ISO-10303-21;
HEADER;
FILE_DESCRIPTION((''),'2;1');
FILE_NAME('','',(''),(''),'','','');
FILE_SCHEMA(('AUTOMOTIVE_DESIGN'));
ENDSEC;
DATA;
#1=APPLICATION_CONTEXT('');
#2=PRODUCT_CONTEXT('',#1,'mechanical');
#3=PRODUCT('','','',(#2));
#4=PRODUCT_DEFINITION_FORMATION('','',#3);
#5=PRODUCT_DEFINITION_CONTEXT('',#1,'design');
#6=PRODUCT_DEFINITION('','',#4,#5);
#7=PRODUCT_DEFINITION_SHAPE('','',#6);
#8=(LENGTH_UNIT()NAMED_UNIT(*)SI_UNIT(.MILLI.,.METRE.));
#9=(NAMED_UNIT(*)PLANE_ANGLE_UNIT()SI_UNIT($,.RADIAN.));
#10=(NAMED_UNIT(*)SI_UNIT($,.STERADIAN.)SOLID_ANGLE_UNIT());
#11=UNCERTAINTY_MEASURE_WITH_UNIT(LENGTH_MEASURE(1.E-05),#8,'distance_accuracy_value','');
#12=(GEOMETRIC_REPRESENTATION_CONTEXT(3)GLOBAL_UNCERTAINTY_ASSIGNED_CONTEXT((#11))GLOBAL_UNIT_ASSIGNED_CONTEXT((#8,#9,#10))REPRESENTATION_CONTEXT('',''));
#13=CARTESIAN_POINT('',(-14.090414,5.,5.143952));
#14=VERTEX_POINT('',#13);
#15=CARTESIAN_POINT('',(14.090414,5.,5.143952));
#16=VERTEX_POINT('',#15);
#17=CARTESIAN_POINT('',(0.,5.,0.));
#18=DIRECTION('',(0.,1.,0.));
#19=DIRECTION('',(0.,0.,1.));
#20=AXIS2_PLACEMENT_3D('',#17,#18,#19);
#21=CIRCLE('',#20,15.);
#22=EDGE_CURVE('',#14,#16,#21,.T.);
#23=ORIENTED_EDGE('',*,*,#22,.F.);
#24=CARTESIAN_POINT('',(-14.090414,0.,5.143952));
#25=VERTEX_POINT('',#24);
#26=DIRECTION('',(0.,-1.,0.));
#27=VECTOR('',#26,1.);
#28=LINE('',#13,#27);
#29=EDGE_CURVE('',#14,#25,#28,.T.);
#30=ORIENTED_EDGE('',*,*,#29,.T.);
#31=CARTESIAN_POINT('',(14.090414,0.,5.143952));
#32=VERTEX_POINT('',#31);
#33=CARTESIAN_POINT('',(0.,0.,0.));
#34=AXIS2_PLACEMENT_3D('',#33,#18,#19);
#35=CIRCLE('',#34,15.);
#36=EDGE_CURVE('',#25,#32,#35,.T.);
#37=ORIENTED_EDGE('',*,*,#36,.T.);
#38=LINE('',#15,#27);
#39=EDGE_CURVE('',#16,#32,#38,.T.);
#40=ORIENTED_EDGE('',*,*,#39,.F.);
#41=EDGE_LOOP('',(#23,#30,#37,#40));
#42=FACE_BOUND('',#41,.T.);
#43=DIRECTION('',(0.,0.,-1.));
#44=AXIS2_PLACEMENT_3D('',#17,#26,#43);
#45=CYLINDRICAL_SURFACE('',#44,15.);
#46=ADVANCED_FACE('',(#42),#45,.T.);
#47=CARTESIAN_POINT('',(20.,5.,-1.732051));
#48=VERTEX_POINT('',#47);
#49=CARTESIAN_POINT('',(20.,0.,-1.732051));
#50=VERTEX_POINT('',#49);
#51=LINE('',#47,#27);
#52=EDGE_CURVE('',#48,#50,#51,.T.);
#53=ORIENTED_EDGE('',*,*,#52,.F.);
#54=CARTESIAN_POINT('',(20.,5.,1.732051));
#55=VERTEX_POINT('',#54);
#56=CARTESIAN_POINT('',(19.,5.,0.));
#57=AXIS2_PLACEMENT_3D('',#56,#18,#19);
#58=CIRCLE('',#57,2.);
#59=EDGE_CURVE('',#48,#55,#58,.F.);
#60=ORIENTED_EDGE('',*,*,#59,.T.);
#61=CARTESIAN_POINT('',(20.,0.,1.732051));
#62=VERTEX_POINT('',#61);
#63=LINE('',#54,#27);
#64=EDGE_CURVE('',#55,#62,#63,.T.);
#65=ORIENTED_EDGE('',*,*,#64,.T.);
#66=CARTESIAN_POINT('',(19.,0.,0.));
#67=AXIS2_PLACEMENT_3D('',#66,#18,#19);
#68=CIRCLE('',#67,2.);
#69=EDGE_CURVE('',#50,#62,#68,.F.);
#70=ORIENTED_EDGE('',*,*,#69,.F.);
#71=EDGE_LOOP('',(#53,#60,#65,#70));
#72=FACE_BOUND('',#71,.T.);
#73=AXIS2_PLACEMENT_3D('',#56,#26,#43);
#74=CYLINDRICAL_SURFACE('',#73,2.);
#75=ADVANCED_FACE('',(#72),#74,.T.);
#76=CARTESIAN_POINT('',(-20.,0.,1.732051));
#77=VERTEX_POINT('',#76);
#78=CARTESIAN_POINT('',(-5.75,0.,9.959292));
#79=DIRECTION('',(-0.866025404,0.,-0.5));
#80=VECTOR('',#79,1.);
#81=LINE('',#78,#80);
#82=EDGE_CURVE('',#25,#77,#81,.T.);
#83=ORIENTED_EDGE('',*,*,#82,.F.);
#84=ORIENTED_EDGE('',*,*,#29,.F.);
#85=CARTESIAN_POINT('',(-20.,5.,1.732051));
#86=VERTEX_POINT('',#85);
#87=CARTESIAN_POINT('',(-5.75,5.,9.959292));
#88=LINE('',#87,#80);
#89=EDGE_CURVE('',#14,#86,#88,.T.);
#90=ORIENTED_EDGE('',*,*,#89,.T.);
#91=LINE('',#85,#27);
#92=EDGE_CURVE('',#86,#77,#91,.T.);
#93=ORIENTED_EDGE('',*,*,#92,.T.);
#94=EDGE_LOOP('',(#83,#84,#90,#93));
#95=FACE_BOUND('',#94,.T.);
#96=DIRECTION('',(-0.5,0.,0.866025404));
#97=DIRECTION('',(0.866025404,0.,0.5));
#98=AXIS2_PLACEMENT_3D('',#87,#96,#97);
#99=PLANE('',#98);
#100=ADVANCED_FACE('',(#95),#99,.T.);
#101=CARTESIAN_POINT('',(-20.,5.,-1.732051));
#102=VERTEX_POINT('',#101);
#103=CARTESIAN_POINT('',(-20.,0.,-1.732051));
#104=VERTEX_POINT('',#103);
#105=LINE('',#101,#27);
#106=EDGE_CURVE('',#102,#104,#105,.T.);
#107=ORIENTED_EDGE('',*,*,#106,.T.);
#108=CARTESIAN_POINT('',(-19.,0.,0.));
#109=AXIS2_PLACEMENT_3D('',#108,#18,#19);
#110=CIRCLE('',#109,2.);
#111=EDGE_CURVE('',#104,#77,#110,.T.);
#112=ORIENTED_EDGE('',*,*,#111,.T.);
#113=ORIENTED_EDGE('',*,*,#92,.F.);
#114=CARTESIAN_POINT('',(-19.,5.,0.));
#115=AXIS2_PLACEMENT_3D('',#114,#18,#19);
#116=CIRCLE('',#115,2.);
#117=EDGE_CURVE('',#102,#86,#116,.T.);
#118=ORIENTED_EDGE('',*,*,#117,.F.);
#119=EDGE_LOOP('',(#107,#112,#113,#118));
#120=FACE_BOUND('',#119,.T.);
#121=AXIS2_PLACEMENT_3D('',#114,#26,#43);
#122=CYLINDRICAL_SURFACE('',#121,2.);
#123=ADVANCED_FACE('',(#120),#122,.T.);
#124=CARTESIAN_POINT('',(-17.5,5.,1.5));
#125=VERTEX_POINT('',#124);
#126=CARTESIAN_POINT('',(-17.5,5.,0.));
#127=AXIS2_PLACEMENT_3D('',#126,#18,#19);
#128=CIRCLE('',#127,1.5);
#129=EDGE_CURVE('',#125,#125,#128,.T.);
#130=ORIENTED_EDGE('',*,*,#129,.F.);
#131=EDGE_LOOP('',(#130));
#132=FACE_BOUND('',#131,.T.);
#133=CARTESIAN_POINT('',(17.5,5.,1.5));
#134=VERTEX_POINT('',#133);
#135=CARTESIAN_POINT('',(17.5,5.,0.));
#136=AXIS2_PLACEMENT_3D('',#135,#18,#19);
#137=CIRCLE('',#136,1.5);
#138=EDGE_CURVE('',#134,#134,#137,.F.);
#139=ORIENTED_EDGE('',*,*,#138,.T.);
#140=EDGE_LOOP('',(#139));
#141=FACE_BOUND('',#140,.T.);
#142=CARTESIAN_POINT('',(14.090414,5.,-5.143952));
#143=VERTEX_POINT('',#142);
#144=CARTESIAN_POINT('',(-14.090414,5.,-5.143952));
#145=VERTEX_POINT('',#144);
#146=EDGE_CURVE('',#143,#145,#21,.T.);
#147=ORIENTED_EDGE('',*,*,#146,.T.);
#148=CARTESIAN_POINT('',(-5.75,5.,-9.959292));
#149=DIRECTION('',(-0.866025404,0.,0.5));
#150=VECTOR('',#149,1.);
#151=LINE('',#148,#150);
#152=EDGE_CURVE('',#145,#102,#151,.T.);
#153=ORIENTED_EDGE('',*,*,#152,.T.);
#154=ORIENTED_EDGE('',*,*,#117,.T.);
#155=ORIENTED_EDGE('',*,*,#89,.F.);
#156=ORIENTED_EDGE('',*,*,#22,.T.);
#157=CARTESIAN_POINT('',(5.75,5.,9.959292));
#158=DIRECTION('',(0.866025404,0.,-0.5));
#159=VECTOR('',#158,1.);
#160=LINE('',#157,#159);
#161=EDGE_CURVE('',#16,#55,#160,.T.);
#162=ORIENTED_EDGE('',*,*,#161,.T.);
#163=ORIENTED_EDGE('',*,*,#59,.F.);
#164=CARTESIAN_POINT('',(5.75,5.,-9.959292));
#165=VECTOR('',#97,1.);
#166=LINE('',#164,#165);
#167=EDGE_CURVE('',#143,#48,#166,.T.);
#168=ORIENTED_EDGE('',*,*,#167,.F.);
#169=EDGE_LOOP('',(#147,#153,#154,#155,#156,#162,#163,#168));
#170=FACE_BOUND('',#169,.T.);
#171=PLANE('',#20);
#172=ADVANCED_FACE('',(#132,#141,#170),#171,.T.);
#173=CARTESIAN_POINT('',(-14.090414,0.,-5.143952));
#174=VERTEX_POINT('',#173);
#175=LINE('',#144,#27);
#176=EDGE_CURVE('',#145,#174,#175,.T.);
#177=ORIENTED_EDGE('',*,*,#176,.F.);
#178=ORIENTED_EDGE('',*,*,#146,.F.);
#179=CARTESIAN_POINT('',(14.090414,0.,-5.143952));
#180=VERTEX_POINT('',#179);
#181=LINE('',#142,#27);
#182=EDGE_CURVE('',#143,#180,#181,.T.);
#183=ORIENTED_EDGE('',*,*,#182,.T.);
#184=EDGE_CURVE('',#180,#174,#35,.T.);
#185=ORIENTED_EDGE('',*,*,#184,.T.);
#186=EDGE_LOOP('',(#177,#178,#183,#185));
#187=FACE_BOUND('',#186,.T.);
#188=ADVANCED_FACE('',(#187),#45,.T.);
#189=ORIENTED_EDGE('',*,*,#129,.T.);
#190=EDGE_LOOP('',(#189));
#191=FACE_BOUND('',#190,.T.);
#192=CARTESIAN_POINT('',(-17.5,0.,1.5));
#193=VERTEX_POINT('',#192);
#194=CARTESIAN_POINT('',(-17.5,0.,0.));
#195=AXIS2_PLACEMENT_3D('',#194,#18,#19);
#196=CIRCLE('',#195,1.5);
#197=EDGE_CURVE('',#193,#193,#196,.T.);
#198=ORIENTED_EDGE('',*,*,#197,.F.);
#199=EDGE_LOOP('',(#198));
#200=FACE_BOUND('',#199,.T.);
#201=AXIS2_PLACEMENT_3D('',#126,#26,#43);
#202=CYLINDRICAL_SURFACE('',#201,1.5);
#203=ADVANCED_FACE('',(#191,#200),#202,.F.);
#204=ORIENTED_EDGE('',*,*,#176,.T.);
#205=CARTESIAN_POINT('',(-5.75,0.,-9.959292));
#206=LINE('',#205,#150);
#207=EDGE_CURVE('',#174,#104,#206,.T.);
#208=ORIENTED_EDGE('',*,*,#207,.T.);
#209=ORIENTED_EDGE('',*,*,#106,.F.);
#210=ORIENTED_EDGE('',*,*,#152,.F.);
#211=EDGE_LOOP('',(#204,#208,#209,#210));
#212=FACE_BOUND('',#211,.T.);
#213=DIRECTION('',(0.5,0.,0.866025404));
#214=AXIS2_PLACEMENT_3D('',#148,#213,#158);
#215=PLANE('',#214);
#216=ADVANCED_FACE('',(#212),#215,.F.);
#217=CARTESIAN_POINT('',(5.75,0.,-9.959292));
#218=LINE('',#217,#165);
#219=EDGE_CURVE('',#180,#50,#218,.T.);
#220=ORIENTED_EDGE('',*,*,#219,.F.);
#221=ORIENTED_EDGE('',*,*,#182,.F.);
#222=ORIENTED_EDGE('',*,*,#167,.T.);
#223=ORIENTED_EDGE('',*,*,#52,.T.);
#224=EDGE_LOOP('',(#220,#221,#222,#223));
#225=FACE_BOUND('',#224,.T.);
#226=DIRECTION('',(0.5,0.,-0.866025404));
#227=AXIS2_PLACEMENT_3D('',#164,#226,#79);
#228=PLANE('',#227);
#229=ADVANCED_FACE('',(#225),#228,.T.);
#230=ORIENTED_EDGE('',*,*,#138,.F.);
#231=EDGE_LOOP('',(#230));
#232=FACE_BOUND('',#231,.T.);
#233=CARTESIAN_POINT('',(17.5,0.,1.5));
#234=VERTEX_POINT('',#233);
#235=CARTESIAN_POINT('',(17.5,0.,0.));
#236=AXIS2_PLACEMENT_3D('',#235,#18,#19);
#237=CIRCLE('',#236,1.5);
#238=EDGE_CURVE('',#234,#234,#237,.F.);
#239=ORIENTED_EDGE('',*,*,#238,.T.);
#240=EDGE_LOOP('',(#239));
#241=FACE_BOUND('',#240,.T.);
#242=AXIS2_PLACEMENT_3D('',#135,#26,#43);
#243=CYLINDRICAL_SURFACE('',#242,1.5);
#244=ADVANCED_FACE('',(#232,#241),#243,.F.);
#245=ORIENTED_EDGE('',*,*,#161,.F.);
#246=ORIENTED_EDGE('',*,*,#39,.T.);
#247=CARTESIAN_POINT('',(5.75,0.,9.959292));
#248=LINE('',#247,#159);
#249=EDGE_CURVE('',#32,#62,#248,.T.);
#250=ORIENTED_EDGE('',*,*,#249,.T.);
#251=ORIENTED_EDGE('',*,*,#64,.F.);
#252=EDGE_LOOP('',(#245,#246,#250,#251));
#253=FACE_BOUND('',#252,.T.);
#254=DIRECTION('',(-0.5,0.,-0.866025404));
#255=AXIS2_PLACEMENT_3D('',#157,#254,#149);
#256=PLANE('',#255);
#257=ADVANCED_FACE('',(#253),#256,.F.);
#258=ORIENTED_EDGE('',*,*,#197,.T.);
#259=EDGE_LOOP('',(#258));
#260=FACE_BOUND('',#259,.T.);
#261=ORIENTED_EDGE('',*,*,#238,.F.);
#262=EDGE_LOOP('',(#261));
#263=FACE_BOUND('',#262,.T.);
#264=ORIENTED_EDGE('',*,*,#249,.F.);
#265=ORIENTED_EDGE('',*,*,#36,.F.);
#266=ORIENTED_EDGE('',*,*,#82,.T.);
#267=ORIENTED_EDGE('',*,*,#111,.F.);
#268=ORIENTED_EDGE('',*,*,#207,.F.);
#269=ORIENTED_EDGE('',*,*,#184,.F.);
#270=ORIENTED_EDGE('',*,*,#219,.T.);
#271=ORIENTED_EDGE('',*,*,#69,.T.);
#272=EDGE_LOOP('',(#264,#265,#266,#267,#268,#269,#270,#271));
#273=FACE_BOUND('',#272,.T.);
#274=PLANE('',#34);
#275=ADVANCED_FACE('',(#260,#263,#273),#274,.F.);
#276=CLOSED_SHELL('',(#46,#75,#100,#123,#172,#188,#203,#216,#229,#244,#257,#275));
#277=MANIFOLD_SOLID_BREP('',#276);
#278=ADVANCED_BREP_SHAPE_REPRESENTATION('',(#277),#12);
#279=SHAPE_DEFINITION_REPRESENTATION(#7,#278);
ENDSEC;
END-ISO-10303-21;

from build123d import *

# Parameters (mm, degrees)
SKETCH_1_R      = 1.5
EXTRUDE_1_DEPTH = 5


with BuildPart() as part:
    # 草圖1 → 填料-伸長1 (new body)
    with BuildSketch(Plane(origin=(0, 0, 0), x_dir=(1, 0, 0), z_dir=(0, 1, 0))):
        with BuildLine():
            Line((-20, -1.732050808), (-14.090413659, -5.143952072))
            ThreePointArc((-14.090413659, -5.143952072), (0, -15), (14.090413659, -5.143952072))
            Line((14.090413659, -5.143952072), (20, -1.732050808))
            ThreePointArc((20, -1.732050808), (21, 0), (20, 1.732050808))
            Line((20, 1.732050808), (14.090413659, 5.143952072))
            ThreePointArc((14.090413659, 5.143952072), (8.597695008, 12.291445828), (0, 15))
            ThreePointArc((0, 15), (-8.597695008, 12.291445828), (-14.090413659, 5.143952072))
            Line((-14.090413659, 5.143952072), (-20, 1.732050808))
            ThreePointArc((-20, 1.732050808), (-21, 0), (-20, -1.732050808))
        make_face()
        with Locations((-17.5, 0)):
            Circle(SKETCH_1_R, mode=Mode.SUBTRACT)
        with Locations((17.5, 0)):
            Circle(SKETCH_1_R, mode=Mode.SUBTRACT)
    extrude(amount=EXTRUDE_1_DEPTH)


solid = part.part
